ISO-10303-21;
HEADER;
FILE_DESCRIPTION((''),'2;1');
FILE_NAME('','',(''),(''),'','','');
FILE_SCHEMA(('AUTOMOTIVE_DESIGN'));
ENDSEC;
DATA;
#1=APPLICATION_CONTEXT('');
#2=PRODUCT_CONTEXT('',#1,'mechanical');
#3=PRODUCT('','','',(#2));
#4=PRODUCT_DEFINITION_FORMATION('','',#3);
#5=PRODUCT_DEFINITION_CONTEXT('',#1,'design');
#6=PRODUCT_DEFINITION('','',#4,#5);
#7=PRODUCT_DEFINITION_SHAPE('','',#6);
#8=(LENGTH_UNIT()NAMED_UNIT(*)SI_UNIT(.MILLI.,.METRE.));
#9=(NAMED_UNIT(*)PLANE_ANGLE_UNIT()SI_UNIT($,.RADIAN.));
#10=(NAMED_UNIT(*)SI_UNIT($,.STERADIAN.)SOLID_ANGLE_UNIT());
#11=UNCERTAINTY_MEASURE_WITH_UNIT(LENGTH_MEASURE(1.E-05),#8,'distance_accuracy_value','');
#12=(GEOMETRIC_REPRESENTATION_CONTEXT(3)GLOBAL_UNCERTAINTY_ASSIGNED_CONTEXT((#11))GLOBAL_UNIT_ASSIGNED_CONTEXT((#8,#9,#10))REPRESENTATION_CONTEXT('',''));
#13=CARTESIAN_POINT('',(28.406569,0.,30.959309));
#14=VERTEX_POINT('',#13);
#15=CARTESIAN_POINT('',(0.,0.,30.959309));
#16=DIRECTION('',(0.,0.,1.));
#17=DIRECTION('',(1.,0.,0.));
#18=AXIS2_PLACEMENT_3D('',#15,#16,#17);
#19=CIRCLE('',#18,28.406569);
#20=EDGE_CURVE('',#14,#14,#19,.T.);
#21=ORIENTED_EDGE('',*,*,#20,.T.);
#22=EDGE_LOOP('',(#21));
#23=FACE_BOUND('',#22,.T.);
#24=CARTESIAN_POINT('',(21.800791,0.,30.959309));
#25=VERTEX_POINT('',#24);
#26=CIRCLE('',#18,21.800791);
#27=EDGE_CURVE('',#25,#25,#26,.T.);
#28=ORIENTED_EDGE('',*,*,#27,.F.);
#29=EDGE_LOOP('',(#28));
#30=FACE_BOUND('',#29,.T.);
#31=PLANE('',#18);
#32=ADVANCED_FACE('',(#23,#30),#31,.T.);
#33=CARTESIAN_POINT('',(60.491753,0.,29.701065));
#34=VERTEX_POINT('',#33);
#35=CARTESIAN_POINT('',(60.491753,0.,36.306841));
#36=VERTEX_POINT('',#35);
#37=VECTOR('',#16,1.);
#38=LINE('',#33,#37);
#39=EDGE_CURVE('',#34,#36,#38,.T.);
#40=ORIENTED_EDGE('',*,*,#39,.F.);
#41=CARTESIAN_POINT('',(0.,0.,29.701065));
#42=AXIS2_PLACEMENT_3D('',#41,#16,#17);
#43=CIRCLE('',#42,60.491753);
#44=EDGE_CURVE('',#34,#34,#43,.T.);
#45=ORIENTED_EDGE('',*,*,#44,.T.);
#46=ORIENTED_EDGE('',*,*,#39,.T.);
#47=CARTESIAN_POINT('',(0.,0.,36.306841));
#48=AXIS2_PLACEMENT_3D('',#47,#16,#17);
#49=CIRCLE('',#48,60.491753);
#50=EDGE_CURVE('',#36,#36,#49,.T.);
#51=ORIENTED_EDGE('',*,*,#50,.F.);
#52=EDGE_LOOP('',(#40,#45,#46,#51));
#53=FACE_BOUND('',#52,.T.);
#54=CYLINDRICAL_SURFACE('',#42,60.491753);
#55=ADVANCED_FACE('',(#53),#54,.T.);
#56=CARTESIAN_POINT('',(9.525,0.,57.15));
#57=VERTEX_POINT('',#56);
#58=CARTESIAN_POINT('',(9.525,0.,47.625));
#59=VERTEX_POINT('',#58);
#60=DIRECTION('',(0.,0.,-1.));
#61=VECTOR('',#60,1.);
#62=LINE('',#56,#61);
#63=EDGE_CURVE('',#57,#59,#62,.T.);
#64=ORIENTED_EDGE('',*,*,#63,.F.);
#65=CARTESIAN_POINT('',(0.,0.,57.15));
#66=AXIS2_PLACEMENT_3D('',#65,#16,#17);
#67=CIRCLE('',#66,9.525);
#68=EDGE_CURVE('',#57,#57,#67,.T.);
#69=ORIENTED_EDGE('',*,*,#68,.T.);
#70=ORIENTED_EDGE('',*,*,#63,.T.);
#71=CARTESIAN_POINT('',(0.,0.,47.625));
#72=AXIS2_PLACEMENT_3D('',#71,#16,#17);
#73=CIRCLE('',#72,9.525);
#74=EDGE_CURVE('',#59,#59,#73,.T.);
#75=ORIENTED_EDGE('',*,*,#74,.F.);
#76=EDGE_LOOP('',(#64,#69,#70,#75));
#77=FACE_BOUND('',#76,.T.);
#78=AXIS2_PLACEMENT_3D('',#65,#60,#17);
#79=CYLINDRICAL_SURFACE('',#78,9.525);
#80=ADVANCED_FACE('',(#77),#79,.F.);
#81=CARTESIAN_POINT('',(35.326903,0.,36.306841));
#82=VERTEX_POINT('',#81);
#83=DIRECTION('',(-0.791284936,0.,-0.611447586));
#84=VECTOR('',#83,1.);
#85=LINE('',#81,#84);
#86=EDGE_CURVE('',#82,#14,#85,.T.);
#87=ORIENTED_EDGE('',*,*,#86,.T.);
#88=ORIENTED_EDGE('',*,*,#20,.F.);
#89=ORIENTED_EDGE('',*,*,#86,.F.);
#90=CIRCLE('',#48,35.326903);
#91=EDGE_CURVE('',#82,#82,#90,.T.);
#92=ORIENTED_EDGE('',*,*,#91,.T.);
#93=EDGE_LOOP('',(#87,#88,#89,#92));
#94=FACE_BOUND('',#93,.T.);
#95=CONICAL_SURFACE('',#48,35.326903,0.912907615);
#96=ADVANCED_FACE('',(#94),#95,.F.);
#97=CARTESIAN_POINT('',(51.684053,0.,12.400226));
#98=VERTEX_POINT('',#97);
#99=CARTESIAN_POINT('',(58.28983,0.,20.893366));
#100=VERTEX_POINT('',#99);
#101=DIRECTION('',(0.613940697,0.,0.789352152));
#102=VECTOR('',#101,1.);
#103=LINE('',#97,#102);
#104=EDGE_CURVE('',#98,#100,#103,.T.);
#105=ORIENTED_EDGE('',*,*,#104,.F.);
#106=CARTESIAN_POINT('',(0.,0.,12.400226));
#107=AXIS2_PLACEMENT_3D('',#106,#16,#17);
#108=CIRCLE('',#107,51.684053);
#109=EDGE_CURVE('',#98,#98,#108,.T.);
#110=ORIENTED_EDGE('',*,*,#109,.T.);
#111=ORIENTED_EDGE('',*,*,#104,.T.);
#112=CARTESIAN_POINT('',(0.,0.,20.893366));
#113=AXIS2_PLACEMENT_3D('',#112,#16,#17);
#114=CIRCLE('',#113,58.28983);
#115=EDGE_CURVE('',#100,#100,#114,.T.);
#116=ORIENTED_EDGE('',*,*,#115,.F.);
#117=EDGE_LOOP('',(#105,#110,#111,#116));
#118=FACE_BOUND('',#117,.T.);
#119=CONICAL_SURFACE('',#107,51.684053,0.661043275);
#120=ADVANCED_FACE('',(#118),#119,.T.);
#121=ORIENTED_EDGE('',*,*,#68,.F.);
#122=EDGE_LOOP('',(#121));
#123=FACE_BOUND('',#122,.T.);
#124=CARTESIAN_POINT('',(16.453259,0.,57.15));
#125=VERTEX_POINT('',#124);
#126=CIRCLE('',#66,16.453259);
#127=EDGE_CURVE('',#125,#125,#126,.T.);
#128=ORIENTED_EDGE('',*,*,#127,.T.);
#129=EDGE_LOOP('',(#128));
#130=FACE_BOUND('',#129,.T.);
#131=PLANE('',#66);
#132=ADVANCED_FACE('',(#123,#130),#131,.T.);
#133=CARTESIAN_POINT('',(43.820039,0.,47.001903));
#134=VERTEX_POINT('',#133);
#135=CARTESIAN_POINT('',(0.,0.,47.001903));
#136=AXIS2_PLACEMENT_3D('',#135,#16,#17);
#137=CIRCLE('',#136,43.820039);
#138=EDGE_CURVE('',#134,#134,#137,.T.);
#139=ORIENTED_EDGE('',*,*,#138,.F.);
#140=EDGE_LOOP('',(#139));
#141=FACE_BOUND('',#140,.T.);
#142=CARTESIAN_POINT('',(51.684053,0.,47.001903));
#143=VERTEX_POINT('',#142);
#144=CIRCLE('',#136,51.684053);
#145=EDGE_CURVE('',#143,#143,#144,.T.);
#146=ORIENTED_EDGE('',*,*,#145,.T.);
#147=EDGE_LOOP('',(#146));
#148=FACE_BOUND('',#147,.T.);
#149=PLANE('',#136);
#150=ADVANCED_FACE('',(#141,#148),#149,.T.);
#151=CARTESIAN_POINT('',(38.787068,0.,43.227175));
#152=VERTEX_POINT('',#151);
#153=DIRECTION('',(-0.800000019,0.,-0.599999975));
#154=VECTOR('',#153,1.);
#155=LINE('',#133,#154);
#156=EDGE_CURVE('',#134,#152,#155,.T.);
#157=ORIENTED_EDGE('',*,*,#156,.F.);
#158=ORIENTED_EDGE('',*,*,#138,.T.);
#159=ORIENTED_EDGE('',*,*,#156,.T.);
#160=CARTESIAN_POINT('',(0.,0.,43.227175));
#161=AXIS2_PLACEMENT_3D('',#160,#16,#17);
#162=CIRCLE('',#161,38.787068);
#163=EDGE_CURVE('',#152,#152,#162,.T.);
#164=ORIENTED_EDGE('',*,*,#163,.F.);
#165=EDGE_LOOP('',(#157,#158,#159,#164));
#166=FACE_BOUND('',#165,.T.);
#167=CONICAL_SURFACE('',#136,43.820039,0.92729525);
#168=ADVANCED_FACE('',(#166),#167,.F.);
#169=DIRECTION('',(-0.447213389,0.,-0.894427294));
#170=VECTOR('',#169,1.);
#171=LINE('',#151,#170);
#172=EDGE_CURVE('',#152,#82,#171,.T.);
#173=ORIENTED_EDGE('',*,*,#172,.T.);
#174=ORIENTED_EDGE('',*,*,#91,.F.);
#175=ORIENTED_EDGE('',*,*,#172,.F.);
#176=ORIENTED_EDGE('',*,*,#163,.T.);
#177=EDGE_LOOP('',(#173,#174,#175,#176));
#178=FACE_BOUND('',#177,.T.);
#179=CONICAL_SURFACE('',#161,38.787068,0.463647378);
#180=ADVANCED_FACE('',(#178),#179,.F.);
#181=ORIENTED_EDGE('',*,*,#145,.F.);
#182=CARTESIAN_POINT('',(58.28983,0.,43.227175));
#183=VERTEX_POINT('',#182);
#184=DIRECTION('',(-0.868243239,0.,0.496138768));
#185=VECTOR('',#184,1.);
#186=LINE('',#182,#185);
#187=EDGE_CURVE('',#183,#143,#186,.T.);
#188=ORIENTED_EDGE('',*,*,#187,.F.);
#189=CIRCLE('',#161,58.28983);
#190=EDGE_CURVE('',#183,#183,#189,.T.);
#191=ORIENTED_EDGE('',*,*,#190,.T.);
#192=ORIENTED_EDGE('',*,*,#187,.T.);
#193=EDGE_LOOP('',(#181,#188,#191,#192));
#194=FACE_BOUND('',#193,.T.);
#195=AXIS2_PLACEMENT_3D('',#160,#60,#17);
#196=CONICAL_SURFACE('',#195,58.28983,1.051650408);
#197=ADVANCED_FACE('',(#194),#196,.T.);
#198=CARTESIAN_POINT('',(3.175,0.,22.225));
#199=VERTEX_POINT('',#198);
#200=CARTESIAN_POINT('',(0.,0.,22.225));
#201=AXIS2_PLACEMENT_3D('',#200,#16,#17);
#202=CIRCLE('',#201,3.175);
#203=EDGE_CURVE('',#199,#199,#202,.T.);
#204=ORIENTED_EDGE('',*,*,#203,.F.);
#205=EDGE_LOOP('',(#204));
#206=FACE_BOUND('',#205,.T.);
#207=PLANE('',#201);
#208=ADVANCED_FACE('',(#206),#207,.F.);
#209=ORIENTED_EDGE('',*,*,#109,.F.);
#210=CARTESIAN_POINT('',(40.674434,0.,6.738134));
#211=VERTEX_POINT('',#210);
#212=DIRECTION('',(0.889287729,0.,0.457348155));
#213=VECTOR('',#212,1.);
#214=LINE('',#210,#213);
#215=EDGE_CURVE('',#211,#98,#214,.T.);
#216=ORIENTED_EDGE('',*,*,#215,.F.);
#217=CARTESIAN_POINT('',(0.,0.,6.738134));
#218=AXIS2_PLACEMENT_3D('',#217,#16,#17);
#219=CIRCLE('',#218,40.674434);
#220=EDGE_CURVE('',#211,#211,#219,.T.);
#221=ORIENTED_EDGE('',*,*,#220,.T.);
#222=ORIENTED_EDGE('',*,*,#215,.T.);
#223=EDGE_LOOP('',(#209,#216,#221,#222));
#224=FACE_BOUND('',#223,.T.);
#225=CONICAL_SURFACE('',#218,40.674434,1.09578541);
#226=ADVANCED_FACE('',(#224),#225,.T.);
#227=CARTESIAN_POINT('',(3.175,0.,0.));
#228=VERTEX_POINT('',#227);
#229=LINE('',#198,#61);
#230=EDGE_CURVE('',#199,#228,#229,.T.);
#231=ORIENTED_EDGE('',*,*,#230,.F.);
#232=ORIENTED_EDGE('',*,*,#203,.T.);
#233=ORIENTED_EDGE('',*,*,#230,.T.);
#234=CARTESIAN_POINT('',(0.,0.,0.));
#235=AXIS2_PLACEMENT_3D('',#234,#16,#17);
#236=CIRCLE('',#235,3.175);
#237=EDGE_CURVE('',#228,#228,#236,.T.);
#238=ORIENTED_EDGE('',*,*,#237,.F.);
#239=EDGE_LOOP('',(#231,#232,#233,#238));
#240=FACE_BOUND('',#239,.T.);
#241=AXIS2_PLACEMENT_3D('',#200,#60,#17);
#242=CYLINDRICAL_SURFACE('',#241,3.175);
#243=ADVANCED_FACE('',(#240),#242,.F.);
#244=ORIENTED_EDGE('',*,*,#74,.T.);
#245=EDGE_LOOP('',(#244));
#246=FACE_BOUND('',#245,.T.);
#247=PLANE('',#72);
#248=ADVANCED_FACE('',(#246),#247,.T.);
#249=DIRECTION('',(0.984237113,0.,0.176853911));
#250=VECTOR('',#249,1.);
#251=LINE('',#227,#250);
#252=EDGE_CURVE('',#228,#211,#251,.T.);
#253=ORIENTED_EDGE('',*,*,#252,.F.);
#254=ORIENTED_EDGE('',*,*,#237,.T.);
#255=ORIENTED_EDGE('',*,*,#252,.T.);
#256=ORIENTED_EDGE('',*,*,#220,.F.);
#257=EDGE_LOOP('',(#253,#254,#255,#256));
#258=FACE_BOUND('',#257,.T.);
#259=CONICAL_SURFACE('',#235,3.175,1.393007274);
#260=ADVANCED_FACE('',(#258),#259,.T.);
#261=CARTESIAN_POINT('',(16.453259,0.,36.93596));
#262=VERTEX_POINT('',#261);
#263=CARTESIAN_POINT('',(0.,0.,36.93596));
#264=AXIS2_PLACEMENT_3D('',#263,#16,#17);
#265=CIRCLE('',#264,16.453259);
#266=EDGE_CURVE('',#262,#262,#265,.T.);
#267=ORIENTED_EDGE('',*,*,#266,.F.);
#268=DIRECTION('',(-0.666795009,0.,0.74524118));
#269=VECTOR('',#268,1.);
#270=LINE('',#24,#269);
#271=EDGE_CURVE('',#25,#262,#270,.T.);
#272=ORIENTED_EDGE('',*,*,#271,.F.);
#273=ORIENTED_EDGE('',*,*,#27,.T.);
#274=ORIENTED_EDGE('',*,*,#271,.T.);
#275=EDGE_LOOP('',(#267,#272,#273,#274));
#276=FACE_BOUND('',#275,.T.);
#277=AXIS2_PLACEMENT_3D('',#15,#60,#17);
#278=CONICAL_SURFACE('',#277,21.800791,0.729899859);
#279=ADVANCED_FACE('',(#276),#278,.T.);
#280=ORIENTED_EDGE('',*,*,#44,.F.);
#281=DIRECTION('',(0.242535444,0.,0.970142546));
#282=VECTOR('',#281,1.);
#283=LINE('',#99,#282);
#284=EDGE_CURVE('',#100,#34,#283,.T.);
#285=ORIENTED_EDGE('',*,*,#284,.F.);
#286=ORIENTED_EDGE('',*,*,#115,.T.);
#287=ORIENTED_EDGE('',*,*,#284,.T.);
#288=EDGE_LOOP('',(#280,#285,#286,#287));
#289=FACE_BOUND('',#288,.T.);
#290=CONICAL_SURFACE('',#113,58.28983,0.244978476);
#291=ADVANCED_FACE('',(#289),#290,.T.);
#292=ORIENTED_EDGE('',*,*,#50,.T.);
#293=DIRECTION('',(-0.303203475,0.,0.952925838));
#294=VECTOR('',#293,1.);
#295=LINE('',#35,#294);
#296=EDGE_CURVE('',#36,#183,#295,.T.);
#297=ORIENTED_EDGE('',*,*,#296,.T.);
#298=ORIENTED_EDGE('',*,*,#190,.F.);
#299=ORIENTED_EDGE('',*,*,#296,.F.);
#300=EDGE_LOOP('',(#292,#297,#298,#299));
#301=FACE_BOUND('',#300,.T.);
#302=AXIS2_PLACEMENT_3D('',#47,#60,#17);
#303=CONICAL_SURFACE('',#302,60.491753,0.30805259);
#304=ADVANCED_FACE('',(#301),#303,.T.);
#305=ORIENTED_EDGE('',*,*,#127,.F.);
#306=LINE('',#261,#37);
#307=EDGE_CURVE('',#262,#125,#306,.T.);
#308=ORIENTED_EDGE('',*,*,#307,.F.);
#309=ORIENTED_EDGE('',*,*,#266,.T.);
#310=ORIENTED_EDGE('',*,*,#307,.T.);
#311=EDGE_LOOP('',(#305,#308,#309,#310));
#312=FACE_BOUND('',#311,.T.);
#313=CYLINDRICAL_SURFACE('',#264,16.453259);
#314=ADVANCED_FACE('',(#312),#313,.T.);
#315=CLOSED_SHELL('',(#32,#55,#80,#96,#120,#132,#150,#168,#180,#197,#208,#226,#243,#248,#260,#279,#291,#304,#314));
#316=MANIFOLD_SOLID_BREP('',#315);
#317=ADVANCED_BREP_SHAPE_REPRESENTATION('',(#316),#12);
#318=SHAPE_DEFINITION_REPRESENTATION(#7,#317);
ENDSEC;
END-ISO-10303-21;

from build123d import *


with BuildPart() as f1:
    # F0 (on Front) → F1 (revolve)
    with BuildSketch(Plane.XZ):
        Polygon((3.175, 22.225), (3.175, 0), (40.674434, 6.738134), (51.684053, 12.400226), (58.28983, 20.893366), (60.491753, 29.701065), (60.491753, 36.306841), (58.28983, 43.227175), (51.684053, 47.001903), (43.820039, 47.001903), (38.787068, 43.227175), (35.326903, 36.306841), (28.406569, 30.959309), (21.800791, 30.959309), (16.453259, 36.93596), (16.453259, 47.625), (16.453259, 57.15), (9.525, 57.15), (9.525, 47.625), (0, 47.625), (0, 22.225), align=None)
    revolve(axis=Axis((0, 0, 34.925), (0, 0, 1)))


solid = f1.part
